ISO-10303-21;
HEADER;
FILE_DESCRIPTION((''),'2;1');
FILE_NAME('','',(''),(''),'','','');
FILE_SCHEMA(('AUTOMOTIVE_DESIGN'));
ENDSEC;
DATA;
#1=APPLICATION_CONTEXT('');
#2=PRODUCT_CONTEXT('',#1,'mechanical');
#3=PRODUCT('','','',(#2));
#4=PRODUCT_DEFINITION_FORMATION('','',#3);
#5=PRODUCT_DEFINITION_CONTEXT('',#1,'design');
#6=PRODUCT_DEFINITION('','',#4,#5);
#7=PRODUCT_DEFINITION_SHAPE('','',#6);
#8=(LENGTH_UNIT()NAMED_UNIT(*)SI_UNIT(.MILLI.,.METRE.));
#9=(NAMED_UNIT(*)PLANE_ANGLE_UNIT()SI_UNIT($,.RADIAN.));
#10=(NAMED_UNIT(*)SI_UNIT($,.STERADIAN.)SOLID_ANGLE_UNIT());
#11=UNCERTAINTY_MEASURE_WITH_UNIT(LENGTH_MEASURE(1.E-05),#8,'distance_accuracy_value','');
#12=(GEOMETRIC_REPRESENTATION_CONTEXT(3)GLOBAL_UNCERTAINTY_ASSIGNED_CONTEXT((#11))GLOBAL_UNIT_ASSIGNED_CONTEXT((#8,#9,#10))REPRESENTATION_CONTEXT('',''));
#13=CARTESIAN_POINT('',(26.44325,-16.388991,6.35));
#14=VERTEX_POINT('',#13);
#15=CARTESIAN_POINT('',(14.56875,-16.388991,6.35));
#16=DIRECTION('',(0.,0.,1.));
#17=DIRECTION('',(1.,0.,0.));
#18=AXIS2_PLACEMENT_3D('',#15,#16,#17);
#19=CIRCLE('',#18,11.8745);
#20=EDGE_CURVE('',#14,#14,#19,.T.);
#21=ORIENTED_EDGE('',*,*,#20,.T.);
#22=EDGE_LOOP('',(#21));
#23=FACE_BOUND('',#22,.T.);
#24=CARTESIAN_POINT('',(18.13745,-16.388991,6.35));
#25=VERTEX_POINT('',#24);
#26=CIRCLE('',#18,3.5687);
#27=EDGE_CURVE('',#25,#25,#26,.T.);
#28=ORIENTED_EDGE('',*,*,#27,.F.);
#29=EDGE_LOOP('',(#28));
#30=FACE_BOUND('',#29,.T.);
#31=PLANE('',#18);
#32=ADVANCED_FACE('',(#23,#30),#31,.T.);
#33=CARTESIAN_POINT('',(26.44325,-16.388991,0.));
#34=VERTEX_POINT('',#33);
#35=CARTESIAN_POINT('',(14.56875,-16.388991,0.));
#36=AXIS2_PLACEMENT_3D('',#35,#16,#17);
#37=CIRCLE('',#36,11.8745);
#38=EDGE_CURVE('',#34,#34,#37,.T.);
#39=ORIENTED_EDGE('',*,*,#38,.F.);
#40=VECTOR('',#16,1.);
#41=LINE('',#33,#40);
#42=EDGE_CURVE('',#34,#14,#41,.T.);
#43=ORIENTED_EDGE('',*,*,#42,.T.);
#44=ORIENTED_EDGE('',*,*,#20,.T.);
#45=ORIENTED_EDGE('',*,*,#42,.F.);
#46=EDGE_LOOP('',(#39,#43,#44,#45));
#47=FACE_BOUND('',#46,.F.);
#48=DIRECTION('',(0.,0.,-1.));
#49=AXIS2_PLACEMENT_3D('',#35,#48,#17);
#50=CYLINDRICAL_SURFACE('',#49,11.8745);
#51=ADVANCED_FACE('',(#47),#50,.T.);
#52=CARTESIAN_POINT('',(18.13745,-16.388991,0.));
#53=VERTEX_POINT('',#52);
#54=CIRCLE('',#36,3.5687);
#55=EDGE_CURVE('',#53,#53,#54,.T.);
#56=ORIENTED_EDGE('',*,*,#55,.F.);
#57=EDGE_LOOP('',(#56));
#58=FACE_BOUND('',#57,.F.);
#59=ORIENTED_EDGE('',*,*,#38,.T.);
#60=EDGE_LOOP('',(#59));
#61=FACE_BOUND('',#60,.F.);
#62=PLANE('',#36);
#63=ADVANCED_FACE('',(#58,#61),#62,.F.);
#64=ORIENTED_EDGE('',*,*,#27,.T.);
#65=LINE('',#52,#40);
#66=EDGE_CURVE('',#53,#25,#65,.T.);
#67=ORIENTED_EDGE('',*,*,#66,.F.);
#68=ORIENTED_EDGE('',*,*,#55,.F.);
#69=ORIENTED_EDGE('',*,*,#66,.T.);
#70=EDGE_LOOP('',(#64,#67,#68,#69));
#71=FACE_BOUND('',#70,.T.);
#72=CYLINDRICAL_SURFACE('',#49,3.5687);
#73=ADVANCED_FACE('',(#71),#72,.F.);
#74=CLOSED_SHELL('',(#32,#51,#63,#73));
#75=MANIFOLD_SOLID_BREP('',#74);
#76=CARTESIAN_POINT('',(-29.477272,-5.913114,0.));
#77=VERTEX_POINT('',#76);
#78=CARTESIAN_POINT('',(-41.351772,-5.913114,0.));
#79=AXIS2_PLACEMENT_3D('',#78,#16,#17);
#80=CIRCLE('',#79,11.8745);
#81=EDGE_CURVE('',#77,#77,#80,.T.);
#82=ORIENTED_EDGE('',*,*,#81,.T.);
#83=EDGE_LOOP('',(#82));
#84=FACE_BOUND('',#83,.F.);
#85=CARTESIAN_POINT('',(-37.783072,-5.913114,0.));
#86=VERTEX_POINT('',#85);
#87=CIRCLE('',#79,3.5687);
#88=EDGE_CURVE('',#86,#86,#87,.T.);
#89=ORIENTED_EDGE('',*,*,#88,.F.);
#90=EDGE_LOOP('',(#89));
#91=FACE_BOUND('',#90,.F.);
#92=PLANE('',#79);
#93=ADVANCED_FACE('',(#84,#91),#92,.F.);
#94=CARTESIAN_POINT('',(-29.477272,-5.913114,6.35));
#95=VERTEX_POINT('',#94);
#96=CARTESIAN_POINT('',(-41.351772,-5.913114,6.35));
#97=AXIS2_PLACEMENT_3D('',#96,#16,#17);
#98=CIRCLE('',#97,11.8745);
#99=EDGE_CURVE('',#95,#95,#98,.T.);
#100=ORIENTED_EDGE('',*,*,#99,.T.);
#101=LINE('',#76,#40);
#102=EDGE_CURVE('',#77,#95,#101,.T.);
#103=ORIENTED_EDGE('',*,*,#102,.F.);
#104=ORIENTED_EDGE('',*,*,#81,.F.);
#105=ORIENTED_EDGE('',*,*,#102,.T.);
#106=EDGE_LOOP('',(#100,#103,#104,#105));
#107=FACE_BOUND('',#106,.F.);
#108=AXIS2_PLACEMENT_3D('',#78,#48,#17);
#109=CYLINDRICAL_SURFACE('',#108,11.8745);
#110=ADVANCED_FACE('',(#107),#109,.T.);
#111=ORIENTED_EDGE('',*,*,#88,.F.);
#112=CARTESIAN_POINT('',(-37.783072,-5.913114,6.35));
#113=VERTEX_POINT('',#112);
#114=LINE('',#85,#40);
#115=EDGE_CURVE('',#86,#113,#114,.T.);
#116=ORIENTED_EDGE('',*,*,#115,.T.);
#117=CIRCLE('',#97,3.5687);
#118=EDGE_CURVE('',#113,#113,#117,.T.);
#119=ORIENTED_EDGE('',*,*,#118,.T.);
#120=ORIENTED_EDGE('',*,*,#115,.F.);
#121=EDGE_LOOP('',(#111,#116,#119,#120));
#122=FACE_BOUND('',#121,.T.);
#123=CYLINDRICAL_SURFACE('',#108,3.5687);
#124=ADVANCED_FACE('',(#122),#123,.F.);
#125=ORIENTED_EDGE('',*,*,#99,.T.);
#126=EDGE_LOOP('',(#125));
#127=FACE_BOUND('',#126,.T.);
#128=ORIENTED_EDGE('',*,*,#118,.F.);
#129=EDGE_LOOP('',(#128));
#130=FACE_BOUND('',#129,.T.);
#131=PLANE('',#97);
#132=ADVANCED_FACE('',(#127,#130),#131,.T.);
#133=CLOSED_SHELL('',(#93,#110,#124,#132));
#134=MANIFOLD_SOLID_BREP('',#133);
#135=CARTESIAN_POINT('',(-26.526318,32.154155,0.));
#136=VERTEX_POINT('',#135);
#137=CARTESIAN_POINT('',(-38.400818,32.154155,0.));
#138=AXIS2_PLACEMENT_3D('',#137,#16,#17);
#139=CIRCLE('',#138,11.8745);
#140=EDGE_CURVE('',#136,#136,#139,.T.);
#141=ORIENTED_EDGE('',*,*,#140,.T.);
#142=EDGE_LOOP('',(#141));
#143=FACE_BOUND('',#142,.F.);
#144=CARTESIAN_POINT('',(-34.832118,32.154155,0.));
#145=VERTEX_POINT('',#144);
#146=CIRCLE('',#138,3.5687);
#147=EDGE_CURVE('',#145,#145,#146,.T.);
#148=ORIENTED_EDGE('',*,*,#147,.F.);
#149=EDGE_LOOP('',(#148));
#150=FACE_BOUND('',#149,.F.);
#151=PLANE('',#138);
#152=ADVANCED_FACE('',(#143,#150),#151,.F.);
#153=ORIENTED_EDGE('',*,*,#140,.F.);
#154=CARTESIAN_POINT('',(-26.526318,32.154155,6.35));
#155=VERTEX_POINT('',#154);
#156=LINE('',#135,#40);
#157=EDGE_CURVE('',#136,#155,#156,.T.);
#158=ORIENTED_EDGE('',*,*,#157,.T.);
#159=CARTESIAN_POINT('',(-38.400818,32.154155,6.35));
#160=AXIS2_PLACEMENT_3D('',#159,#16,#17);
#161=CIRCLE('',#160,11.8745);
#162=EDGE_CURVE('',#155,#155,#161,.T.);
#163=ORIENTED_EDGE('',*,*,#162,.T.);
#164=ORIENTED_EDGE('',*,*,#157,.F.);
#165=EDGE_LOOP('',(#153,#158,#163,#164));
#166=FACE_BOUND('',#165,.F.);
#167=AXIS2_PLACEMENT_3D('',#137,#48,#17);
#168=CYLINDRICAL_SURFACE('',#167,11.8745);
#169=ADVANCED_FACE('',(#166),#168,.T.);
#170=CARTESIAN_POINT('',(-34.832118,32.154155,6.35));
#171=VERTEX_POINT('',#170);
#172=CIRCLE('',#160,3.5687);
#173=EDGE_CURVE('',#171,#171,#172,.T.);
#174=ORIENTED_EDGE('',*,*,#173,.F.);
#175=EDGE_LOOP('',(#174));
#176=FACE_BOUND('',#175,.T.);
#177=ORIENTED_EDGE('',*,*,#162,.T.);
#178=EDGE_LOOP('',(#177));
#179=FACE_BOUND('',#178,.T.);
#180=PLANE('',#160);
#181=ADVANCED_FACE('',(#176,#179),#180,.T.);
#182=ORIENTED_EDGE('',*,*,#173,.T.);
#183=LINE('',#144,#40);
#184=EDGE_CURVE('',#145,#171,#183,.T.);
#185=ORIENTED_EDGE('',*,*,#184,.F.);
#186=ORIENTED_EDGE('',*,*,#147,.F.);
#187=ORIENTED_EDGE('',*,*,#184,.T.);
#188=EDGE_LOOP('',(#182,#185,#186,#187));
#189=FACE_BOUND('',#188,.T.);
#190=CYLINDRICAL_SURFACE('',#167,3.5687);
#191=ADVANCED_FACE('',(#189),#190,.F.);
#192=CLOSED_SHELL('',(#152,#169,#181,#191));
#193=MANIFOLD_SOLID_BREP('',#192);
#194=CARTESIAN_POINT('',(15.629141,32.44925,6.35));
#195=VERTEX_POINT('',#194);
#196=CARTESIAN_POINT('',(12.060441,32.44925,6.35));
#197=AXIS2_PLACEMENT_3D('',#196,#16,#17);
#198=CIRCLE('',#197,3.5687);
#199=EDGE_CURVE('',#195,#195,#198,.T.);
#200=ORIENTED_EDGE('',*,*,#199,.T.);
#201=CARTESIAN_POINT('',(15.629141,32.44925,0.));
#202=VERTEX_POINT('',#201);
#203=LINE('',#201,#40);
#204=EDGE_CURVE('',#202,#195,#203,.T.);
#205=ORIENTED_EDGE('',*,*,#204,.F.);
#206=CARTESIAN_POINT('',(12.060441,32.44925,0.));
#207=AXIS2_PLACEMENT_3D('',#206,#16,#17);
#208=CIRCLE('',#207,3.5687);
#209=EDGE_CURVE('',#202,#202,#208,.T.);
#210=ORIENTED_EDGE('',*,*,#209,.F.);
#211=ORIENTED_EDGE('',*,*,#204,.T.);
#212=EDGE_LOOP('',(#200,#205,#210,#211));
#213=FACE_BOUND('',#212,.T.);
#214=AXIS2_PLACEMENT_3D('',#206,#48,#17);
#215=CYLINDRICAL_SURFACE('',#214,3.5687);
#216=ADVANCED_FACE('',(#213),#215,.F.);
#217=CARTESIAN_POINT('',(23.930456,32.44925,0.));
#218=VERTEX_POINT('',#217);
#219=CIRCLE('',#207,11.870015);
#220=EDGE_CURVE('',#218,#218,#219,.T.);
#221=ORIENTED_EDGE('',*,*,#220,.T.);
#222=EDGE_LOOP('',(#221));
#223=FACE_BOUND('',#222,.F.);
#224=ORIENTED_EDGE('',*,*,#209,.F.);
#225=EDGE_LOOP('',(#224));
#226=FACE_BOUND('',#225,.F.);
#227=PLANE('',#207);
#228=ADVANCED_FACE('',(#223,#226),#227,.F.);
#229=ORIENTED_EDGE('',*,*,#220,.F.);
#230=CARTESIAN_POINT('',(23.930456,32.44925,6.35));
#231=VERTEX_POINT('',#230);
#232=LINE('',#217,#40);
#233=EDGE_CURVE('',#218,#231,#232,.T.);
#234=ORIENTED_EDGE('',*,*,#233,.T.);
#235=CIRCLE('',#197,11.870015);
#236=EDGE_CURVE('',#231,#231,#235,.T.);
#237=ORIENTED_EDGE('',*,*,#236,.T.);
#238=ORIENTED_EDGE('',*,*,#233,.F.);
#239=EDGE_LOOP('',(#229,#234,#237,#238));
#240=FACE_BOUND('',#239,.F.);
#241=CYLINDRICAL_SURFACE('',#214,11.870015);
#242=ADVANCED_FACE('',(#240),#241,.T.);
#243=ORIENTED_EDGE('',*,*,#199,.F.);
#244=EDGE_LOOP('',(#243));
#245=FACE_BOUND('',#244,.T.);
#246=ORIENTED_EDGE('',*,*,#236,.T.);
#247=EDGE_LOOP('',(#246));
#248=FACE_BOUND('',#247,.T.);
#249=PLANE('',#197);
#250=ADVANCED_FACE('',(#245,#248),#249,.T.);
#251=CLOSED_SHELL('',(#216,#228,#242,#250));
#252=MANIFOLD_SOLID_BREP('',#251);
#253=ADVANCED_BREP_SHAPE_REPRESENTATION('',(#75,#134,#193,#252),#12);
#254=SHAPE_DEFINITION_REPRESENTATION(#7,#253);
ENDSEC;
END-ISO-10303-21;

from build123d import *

# Parameters (mm, degrees)
F0_R     = 11.8745
F0_R_2   = 3.5687
F0_R_3   = 11.870015
F1_DEPTH = 6.35


with BuildPart() as f1:
    # F0 (on Top) → F1 (new body)
    with BuildSketch(Plane.XY):
        with Locations((-38.400818, 32.154155)):
            Circle(F0_R)
        with Locations((-38.400818, 32.154155)):
            Circle(F0_R_2, mode=Mode.SUBTRACT)
        with Locations((12.060441, 32.44925)):
            Circle(F0_R_3)
        with Locations((12.060441, 32.44925)):
            Circle(F0_R_2, mode=Mode.SUBTRACT)
        with Locations((14.56875, -16.388991)):
            Circle(F0_R)
        with Locations((14.56875, -16.388991)):
            Circle(F0_R_2, mode=Mode.SUBTRACT)
        with Locations((-41.351772, -5.913114)):
            Circle(F0_R)
        with Locations((-41.351772, -5.913114)):
            Circle(F0_R_2, mode=Mode.SUBTRACT)
    extrude(amount=F1_DEPTH)


solid = f1.part
